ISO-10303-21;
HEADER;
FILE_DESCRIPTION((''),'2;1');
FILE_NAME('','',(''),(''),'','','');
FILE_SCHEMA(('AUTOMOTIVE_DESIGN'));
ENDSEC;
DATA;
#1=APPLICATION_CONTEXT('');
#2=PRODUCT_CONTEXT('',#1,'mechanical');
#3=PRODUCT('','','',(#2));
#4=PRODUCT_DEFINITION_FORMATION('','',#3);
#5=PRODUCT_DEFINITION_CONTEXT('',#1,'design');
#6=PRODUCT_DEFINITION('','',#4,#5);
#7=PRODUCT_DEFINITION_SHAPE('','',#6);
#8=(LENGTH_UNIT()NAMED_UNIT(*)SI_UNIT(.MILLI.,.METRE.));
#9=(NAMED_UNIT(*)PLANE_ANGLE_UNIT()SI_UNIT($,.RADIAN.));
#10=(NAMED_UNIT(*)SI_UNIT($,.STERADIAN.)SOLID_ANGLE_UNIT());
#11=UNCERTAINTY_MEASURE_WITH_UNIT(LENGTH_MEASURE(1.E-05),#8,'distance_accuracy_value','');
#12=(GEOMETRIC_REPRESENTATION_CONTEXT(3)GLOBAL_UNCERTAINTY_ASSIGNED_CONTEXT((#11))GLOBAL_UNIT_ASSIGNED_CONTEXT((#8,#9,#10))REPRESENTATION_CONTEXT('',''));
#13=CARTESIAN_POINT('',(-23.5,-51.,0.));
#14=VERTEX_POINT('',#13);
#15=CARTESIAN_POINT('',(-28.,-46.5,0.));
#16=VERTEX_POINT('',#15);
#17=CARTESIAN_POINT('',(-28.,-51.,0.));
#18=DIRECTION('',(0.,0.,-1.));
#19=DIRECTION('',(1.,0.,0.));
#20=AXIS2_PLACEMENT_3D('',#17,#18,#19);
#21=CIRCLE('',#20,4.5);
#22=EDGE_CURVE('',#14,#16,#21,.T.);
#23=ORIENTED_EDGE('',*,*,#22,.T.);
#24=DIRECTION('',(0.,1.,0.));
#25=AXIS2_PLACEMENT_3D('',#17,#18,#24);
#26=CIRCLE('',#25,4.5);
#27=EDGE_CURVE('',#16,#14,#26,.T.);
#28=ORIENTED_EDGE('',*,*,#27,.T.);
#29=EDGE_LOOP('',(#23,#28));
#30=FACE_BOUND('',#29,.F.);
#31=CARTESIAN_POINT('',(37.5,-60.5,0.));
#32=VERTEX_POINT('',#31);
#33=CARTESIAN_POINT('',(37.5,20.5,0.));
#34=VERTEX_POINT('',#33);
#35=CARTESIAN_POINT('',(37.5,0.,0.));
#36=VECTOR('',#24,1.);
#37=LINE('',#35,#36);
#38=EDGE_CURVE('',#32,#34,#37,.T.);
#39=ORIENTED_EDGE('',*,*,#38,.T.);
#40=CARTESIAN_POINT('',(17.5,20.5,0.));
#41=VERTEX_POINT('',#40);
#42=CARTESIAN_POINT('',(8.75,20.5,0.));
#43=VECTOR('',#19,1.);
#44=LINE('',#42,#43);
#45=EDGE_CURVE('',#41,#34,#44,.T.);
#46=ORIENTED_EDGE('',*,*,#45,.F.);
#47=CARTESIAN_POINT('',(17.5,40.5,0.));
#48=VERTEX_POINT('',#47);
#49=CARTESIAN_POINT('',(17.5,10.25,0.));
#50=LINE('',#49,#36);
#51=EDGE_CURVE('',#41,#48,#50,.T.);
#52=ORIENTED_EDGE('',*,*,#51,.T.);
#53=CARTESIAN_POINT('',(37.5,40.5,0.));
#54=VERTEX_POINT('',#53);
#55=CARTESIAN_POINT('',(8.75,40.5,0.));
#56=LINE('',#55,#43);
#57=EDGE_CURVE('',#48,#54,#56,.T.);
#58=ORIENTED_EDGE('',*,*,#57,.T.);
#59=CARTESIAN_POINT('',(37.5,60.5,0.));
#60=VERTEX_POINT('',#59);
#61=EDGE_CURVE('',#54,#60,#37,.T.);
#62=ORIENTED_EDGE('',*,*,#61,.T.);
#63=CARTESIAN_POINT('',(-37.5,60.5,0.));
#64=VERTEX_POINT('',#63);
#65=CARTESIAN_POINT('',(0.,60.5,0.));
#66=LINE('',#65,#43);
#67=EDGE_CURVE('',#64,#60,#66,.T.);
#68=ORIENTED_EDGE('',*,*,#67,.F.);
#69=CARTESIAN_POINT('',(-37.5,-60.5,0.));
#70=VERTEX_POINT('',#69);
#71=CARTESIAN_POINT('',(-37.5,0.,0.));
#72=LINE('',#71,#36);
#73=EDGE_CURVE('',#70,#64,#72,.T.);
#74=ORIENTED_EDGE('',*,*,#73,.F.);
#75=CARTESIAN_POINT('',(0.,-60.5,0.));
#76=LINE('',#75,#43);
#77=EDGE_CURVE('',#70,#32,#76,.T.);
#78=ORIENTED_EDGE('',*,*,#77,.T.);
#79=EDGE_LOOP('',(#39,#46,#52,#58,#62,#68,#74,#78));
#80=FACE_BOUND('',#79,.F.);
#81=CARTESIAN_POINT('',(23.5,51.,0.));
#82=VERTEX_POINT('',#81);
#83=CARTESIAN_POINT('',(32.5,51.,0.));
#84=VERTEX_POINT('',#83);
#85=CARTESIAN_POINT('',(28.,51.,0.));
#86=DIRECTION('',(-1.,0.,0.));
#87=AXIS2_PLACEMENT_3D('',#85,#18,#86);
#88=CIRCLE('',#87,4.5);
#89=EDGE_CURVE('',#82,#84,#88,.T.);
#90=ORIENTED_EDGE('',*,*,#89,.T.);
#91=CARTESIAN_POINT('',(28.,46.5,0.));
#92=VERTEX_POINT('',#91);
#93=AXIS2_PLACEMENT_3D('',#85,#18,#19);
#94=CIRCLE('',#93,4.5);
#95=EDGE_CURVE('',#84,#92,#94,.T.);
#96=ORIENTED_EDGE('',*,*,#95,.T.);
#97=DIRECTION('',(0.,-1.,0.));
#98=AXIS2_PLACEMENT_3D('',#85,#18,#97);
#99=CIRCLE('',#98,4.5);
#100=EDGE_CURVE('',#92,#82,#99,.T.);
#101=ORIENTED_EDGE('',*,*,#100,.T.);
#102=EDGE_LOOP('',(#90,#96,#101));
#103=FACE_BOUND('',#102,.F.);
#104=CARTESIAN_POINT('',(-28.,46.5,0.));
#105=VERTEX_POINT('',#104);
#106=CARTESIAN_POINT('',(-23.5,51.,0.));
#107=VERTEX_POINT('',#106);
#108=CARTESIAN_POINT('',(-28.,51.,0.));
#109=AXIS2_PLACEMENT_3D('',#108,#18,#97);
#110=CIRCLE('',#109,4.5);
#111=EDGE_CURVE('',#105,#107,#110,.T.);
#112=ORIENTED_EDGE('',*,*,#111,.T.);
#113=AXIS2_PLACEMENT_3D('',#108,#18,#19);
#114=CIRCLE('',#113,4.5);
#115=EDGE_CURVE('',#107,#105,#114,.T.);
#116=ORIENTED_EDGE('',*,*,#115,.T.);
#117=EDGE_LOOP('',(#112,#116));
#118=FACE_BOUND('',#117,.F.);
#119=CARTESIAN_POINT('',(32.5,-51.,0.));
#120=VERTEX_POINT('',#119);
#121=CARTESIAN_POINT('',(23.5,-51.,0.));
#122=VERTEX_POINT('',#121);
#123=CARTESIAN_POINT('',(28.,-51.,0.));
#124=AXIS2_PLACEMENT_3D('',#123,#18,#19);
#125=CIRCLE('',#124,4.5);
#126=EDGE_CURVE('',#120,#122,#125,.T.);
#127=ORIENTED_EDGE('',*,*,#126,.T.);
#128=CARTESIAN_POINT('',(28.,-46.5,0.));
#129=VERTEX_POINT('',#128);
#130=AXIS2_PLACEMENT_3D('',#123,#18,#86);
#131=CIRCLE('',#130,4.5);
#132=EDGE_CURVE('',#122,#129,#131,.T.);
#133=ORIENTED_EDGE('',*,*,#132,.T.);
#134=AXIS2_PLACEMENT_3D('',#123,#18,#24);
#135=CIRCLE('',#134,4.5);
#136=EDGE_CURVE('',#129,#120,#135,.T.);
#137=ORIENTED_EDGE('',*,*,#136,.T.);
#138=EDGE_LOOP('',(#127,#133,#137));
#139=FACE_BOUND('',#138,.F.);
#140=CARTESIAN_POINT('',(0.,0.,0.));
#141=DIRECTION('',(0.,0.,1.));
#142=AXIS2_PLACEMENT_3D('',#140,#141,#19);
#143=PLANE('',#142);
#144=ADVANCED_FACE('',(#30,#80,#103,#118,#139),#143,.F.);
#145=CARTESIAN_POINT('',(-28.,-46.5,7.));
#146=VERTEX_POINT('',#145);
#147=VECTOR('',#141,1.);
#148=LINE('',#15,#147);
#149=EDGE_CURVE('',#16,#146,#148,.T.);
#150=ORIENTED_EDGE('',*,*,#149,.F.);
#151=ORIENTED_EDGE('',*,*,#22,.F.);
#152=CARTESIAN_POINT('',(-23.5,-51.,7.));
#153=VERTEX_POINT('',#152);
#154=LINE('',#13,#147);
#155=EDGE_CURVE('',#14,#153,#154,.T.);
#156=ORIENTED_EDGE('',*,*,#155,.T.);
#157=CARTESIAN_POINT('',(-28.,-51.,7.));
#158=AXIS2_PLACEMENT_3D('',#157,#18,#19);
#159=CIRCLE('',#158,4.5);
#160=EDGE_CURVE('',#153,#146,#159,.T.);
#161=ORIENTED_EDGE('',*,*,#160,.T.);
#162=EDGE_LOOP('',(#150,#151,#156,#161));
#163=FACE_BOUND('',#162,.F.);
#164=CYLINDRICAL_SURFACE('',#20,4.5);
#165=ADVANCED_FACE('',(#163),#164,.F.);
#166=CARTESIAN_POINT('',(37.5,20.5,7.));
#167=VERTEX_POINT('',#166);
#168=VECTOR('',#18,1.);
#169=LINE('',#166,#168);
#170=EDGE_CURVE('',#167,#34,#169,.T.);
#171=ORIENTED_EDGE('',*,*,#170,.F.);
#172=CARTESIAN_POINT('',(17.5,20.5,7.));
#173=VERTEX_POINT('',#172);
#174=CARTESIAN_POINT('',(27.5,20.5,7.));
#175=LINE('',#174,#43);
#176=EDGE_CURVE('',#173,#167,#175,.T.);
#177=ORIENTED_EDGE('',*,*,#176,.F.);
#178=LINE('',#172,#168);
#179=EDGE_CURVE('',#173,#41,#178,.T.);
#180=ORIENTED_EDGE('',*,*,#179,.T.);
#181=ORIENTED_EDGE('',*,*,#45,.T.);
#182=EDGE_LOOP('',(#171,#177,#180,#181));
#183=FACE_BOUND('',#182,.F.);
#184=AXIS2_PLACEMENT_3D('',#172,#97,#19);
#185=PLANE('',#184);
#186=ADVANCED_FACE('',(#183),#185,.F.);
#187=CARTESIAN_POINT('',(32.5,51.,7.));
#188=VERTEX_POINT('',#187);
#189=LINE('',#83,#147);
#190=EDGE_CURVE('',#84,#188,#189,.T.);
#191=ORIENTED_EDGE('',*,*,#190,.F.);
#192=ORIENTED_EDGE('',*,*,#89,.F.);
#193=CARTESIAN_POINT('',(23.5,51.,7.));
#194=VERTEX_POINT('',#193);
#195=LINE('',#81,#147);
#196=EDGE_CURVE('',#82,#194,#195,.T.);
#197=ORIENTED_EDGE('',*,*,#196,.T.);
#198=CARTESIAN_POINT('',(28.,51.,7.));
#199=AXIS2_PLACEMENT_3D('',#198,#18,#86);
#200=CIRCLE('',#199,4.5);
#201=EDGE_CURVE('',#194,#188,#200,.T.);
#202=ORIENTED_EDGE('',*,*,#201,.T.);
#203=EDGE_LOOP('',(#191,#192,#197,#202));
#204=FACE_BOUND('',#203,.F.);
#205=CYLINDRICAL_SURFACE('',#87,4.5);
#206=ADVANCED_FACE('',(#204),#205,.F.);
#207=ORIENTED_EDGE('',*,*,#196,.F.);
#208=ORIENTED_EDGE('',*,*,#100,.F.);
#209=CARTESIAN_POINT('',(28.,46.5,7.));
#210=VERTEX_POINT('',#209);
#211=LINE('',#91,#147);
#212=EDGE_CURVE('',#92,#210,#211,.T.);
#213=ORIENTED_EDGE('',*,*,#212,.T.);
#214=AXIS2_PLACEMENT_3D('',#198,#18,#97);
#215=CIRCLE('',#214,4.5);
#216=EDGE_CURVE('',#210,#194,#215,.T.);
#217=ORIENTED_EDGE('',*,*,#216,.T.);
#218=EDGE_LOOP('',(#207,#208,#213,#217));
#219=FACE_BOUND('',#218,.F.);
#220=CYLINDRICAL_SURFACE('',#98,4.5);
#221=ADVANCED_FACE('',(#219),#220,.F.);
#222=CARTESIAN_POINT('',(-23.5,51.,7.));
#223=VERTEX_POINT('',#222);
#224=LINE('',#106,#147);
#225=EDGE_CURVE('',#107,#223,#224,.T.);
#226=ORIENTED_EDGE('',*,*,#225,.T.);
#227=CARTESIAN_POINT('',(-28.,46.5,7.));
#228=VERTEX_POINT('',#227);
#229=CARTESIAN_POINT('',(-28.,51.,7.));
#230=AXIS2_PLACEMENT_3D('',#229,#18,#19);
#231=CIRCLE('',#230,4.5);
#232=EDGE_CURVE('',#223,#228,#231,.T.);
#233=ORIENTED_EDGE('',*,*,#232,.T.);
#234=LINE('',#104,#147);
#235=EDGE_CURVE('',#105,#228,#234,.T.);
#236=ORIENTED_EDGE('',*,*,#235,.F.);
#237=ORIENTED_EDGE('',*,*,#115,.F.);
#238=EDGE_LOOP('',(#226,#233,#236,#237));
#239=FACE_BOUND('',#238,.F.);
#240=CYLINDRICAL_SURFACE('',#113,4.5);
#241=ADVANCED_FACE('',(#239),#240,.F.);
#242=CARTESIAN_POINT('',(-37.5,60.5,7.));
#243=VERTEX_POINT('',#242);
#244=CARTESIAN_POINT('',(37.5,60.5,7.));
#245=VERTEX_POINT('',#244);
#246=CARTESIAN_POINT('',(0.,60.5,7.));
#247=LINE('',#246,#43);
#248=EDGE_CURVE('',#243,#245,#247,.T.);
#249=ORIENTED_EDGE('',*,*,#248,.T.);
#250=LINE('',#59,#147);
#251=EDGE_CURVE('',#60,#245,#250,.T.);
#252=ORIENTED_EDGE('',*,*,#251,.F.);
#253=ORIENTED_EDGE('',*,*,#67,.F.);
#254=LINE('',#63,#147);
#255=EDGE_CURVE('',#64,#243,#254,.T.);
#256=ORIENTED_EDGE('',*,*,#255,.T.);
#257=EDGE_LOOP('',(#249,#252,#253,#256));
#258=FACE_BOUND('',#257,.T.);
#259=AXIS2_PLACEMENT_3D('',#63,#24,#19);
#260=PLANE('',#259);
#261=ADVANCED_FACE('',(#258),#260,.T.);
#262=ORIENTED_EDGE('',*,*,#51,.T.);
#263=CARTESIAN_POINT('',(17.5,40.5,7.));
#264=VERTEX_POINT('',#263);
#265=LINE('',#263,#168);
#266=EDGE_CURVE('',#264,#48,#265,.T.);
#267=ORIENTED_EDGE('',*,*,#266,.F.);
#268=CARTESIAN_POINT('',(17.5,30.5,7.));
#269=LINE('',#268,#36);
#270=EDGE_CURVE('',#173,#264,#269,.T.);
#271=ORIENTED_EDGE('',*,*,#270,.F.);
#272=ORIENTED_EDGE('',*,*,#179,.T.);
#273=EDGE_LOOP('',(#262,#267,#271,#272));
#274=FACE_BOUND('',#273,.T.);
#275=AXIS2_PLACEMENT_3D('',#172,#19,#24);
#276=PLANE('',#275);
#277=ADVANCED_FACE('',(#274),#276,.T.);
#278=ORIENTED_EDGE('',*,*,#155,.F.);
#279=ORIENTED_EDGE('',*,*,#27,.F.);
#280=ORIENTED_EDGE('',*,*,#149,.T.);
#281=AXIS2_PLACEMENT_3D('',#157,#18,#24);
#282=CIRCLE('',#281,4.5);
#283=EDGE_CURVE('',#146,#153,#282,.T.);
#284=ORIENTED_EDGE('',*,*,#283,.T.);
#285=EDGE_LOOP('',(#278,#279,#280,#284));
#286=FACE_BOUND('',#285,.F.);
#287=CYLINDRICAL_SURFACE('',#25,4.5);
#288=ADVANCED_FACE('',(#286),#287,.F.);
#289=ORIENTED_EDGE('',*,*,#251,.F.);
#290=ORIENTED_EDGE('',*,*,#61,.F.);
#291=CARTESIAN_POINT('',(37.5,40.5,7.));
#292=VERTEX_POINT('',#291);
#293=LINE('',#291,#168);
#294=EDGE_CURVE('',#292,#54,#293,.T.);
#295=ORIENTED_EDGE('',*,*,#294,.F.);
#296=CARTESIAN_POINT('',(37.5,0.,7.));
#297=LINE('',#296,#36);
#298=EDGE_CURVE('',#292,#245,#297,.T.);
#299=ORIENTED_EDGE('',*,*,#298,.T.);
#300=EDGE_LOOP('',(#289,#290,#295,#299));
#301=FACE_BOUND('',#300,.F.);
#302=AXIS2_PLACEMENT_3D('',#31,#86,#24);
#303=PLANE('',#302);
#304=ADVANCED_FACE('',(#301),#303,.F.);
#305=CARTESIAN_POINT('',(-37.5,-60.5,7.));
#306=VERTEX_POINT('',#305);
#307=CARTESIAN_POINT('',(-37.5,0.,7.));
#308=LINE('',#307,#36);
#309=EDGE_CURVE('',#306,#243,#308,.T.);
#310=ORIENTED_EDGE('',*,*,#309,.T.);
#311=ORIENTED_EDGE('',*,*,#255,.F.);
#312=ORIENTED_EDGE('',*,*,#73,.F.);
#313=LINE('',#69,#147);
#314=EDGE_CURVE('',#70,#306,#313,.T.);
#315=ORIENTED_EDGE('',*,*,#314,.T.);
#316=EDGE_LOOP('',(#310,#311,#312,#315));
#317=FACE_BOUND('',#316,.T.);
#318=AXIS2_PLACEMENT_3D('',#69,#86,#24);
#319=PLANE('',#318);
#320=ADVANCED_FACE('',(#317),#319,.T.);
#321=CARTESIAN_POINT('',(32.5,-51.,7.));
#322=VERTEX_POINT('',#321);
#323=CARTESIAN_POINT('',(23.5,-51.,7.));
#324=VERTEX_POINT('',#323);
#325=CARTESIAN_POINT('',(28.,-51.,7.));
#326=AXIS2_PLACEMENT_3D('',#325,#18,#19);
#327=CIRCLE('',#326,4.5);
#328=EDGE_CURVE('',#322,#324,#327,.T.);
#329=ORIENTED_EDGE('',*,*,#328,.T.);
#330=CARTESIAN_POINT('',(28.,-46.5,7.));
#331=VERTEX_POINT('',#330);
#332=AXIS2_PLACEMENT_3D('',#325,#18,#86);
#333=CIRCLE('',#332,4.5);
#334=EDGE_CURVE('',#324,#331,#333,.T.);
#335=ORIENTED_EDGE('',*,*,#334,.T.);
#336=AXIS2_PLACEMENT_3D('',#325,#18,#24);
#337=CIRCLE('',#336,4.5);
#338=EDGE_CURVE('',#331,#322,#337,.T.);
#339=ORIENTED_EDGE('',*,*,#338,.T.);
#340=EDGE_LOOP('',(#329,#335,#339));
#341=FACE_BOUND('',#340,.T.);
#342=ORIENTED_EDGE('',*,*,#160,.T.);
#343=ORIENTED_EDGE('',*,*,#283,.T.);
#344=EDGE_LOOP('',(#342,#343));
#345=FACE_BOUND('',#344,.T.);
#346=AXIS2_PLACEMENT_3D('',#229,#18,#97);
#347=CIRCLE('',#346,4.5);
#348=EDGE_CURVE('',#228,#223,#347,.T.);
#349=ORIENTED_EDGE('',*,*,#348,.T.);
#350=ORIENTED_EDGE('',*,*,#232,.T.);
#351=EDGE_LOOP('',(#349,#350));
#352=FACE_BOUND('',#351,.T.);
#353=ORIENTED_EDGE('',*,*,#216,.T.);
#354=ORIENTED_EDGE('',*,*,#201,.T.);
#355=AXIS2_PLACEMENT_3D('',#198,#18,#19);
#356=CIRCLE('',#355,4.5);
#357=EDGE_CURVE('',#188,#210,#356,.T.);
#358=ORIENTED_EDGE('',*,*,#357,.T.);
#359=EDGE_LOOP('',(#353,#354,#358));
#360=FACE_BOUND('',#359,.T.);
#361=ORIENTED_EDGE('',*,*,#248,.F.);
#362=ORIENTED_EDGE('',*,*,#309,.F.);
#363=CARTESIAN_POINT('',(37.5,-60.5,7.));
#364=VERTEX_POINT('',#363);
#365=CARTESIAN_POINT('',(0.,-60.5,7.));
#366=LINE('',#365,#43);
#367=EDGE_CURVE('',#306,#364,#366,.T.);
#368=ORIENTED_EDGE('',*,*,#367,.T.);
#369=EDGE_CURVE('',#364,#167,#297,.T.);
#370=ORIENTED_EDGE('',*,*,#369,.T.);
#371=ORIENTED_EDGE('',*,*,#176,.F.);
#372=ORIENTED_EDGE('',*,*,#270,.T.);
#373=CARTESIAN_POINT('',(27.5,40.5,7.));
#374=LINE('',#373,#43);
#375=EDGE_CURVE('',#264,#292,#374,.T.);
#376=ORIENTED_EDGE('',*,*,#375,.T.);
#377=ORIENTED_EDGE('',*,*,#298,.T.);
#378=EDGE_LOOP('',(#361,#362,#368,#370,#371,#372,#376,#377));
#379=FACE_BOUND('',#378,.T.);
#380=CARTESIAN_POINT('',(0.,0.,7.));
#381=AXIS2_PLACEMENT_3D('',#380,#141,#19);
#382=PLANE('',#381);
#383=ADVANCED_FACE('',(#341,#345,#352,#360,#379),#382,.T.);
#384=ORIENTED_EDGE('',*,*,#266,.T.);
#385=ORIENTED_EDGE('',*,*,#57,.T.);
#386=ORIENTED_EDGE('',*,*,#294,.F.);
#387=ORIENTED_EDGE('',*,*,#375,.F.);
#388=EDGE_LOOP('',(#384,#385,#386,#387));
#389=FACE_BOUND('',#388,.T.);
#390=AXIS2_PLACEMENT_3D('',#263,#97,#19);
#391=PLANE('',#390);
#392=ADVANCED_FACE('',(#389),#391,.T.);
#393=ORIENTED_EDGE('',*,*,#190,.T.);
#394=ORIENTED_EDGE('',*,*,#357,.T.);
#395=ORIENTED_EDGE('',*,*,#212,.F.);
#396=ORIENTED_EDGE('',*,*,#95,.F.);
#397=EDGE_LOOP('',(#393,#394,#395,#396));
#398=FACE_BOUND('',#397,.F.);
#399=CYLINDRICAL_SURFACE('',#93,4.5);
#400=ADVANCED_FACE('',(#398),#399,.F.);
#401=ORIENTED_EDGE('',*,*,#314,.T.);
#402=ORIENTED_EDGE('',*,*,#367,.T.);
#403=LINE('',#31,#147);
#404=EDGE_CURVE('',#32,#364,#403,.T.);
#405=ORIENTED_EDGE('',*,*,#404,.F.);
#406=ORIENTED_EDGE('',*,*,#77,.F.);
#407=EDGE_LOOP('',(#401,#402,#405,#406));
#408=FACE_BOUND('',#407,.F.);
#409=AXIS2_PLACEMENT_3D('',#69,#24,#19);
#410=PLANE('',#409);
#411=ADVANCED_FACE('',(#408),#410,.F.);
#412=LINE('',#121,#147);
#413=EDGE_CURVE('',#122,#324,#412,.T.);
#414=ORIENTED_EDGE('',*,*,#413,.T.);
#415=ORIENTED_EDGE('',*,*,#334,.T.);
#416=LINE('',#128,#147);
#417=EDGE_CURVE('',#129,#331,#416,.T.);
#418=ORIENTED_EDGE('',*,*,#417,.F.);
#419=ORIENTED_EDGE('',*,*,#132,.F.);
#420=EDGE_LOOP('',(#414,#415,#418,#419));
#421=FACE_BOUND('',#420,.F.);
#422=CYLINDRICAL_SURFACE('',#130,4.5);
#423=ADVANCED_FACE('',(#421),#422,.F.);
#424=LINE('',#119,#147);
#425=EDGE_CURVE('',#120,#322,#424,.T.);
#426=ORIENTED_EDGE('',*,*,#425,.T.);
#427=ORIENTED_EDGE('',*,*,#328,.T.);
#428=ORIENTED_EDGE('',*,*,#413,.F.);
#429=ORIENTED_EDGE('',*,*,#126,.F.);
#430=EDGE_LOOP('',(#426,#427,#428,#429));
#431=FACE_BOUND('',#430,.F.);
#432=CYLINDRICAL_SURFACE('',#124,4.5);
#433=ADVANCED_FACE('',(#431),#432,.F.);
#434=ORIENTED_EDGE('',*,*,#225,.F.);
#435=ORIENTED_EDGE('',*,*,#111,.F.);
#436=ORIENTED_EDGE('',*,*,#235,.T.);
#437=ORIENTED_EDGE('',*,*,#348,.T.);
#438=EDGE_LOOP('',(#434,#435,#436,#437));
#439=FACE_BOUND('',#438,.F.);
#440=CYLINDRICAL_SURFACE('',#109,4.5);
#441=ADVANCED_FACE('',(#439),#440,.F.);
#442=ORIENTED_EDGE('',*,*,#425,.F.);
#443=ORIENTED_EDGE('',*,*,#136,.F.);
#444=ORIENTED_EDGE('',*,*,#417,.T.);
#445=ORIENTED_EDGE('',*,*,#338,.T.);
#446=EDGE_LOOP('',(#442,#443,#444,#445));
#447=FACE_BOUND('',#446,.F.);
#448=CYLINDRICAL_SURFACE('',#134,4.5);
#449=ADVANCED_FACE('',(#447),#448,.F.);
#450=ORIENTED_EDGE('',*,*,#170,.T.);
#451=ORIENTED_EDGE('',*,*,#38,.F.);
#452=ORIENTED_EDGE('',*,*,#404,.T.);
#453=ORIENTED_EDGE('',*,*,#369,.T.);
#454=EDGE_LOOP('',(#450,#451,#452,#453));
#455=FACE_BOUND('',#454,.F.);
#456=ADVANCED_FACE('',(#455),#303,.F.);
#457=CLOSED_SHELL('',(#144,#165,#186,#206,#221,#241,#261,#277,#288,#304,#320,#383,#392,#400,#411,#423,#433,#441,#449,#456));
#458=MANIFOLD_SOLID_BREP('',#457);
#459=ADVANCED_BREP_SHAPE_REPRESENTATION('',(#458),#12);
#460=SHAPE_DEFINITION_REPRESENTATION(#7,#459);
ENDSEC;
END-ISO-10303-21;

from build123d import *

# Parameters (mm, degrees)
F0_W     = 75
F0_H     = 121
F1_DEPTH = 7
F2_W     = 20
F2_H     = 20
F3_DEPTH = 25


with BuildPart() as f1:
    # F0 (on Top) → F1 (new body)
    with BuildSketch(Plane.XY):
        Rectangle(F0_W, F0_H)
        with BuildLine():
            Line((23.5, -51), (-23.5, -51))
            ThreePointArc((-23.5, -51), (-31.1819805153, -54.1819805153), (-28, -46.5))
            Line((-28, -46.5), (-28, 46.5))
            ThreePointArc((-28, 46.5), (-31.1819805153, 54.1819805153), (-23.5, 51))
            Line((-23.5, 51), (23.5, 51))
            ThreePointArc((23.5, 51), (28, 55.5), (32.5, 51))
            ThreePointArc((32.5, 51), (31.1819805153, 47.8180194847), (28, 46.5))
            Line((28, 46.5), (28, -46.5))
            ThreePointArc((28, -46.5), (31.1819805153, -47.8180194847), (32.5, -51))
            ThreePointArc((32.5, -51), (28, -55.5), (23.5, -51))
        make_face(mode=Mode.SUBTRACT)
        with BuildLine():
            ThreePointArc((-28, -46.5), (-24.8180194847, -47.8180194847), (-23.5, -51))
            Line((-23.5, -51), (23.5, -51))
            ThreePointArc((23.5, -51), (24.8180194847, -47.8180194847), (28, -46.5))
            Line((28, -46.5), (28, 46.5))
            ThreePointArc((28, 46.5), (24.8180194847, 47.8180194847), (23.5, 51))
            Line((23.5, 51), (-23.5, 51))
            ThreePointArc((-23.5, 51), (-24.8180194847, 47.8180194847), (-28, 46.5))
            Line((-28, 46.5), (-28, -46.5))
        make_face()
    extrude(amount=F1_DEPTH)

    # F2 (on face) → F3 (cut)
    with BuildSketch(Plane.XY.offset(7)):
        with Locations((27.5, 30.5)):
            Rectangle(F2_W, F2_H)
    extrude(amount=-F3_DEPTH, mode=Mode.SUBTRACT)


solid = f1.part
